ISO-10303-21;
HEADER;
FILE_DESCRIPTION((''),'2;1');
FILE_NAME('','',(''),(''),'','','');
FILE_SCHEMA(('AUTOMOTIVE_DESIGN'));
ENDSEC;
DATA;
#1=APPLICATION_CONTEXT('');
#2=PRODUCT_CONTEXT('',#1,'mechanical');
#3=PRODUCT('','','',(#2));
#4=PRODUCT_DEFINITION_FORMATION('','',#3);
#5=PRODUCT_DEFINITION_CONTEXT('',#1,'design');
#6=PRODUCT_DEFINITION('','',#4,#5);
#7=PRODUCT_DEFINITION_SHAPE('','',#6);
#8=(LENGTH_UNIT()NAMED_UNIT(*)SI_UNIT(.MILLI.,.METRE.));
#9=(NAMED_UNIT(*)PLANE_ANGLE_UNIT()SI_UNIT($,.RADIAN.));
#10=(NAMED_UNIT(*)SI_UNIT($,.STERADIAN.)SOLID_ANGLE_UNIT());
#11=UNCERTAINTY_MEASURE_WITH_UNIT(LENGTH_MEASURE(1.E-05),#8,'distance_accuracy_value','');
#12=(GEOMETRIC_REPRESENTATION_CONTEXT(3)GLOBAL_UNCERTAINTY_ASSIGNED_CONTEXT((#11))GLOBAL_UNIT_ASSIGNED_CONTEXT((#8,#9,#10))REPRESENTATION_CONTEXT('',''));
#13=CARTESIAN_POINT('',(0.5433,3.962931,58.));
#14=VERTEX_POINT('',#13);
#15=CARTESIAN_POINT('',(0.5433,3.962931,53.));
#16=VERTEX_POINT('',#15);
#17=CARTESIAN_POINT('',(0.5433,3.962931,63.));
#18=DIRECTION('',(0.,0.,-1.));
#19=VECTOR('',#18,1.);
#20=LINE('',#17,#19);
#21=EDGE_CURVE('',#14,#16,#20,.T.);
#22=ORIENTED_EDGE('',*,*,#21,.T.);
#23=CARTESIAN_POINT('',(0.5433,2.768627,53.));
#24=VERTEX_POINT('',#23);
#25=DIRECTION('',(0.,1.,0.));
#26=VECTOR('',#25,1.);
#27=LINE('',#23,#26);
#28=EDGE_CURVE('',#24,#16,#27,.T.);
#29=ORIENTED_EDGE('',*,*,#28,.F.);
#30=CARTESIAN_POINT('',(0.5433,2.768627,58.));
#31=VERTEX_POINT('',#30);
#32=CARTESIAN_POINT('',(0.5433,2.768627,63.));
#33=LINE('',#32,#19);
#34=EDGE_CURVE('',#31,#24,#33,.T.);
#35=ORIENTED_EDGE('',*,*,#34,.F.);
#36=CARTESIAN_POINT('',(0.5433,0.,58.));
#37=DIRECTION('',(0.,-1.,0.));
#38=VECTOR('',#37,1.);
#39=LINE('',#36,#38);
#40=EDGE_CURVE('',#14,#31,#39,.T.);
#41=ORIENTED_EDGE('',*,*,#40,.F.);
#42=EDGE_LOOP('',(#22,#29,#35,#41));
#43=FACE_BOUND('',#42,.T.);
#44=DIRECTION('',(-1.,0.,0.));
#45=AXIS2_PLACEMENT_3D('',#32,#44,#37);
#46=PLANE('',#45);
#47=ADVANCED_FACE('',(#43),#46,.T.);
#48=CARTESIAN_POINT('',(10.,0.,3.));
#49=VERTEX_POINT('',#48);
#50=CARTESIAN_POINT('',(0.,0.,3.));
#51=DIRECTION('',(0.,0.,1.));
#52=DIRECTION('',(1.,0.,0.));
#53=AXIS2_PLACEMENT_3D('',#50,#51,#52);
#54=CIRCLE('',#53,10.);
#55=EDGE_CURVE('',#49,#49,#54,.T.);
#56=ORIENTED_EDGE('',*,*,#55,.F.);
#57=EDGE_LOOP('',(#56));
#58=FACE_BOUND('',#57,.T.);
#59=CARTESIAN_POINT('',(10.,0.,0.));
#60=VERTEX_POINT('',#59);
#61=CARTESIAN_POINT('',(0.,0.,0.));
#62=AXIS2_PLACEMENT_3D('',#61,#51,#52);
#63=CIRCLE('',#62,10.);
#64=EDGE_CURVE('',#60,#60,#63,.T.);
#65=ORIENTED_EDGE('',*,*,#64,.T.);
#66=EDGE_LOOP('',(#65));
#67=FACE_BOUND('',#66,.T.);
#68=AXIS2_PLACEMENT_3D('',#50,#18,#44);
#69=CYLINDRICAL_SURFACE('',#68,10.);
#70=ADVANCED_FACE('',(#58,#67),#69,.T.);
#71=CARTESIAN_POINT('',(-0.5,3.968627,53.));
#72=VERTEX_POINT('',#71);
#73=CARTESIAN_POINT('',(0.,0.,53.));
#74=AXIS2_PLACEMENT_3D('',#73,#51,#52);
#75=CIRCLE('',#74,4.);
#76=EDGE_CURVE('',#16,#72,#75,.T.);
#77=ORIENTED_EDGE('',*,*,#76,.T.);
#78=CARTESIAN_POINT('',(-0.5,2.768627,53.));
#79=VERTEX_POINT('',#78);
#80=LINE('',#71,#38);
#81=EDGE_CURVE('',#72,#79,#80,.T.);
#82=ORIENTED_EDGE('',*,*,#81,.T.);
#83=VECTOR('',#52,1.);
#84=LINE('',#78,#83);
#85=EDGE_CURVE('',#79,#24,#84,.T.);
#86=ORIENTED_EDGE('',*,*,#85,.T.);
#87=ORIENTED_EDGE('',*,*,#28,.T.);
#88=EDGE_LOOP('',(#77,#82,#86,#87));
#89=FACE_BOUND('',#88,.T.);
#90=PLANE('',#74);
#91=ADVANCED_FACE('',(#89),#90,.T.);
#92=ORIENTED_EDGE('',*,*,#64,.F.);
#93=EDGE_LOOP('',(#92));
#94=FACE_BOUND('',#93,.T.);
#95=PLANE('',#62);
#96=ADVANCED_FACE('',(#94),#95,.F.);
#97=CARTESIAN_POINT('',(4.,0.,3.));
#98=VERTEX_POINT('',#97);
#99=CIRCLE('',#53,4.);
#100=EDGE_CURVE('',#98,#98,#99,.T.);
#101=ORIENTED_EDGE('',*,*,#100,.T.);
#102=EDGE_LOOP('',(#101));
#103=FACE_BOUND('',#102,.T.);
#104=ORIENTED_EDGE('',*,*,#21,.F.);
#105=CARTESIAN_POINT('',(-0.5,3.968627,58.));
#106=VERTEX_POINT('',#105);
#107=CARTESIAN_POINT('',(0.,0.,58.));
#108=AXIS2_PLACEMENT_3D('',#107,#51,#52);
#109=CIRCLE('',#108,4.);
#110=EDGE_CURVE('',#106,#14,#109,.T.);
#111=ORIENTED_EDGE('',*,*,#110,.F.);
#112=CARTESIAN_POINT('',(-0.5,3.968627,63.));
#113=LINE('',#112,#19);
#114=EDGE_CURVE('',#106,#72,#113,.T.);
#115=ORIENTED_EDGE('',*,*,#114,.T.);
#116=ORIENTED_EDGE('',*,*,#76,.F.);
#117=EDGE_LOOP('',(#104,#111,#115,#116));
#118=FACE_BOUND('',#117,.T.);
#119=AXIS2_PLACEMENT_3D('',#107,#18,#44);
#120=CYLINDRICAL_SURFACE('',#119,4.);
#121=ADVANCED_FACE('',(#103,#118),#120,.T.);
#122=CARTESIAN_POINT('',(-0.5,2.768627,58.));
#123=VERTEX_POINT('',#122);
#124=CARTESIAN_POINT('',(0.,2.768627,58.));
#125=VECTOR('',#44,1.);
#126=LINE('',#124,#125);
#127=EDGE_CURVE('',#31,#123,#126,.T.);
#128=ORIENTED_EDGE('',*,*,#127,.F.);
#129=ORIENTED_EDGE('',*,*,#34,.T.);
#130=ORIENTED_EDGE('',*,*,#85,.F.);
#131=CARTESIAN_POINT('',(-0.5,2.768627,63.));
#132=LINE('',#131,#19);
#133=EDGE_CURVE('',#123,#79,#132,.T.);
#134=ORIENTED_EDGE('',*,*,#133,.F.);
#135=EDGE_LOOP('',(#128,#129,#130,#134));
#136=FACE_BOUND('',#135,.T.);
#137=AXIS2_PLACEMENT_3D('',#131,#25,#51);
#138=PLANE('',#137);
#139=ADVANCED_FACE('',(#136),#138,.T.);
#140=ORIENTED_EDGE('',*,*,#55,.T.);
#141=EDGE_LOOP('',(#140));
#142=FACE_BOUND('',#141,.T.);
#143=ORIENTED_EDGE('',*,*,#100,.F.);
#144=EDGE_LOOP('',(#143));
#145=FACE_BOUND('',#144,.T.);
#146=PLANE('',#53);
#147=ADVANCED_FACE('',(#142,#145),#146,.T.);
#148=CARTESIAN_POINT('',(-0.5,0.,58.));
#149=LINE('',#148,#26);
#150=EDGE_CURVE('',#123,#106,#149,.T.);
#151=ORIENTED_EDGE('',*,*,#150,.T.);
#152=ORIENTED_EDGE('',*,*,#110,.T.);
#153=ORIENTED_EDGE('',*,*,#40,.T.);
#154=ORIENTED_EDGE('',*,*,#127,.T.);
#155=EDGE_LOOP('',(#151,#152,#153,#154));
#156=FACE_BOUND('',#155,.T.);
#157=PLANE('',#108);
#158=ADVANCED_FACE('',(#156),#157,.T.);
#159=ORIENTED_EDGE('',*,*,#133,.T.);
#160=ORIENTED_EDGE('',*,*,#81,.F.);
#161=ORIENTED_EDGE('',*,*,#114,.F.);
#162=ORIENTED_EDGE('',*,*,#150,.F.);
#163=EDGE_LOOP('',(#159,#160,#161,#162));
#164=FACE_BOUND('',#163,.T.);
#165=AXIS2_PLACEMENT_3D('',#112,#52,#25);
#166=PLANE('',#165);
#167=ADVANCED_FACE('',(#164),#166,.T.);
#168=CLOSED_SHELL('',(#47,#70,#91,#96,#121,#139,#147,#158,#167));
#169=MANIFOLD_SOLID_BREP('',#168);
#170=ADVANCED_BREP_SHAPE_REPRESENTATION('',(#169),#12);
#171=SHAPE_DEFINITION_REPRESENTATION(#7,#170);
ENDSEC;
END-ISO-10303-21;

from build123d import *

# Parameters (mm, degrees)
SKETCH1_R           = 10
BOSS_EXTRUDE1_DEPTH = 3
SKETCH2_R           = 4
BOSS_EXTRUDE2_DEPTH = 55
CUT_EXTRUDE1_DEPTH  = 10


with BuildPart() as part:
    # Sketch1 → Boss-Extrude1 (new body)
    with BuildSketch(Plane.XY):
        Circle(SKETCH1_R)
    extrude(amount=BOSS_EXTRUDE1_DEPTH)

    # Sketch2 → Boss-Extrude2 (add)
    with BuildSketch(Plane.XY.offset(3)):
        Circle(SKETCH2_R)
    extrude(amount=BOSS_EXTRUDE2_DEPTH)

    # Sketch3 → Cut-Extrude1 (cut)
    with BuildSketch(Plane.XY.offset(53)):
        with BuildLine():
            Line((-0.5, 3.968626967), (-0.5, 2.768626967))
            Line((-0.5, 2.768626967), (0.543300129, 2.768626967))
            Line((0.543300129, 2.768626967), (0.543300129, 3.962931361))
            ThreePointArc((0.543300129, 3.962931361), (0.021836558, 3.999940395), (-0.5, 3.968626967))
        make_face()
    extrude(amount=CUT_EXTRUDE1_DEPTH, mode=Mode.SUBTRACT)


solid = part.part
